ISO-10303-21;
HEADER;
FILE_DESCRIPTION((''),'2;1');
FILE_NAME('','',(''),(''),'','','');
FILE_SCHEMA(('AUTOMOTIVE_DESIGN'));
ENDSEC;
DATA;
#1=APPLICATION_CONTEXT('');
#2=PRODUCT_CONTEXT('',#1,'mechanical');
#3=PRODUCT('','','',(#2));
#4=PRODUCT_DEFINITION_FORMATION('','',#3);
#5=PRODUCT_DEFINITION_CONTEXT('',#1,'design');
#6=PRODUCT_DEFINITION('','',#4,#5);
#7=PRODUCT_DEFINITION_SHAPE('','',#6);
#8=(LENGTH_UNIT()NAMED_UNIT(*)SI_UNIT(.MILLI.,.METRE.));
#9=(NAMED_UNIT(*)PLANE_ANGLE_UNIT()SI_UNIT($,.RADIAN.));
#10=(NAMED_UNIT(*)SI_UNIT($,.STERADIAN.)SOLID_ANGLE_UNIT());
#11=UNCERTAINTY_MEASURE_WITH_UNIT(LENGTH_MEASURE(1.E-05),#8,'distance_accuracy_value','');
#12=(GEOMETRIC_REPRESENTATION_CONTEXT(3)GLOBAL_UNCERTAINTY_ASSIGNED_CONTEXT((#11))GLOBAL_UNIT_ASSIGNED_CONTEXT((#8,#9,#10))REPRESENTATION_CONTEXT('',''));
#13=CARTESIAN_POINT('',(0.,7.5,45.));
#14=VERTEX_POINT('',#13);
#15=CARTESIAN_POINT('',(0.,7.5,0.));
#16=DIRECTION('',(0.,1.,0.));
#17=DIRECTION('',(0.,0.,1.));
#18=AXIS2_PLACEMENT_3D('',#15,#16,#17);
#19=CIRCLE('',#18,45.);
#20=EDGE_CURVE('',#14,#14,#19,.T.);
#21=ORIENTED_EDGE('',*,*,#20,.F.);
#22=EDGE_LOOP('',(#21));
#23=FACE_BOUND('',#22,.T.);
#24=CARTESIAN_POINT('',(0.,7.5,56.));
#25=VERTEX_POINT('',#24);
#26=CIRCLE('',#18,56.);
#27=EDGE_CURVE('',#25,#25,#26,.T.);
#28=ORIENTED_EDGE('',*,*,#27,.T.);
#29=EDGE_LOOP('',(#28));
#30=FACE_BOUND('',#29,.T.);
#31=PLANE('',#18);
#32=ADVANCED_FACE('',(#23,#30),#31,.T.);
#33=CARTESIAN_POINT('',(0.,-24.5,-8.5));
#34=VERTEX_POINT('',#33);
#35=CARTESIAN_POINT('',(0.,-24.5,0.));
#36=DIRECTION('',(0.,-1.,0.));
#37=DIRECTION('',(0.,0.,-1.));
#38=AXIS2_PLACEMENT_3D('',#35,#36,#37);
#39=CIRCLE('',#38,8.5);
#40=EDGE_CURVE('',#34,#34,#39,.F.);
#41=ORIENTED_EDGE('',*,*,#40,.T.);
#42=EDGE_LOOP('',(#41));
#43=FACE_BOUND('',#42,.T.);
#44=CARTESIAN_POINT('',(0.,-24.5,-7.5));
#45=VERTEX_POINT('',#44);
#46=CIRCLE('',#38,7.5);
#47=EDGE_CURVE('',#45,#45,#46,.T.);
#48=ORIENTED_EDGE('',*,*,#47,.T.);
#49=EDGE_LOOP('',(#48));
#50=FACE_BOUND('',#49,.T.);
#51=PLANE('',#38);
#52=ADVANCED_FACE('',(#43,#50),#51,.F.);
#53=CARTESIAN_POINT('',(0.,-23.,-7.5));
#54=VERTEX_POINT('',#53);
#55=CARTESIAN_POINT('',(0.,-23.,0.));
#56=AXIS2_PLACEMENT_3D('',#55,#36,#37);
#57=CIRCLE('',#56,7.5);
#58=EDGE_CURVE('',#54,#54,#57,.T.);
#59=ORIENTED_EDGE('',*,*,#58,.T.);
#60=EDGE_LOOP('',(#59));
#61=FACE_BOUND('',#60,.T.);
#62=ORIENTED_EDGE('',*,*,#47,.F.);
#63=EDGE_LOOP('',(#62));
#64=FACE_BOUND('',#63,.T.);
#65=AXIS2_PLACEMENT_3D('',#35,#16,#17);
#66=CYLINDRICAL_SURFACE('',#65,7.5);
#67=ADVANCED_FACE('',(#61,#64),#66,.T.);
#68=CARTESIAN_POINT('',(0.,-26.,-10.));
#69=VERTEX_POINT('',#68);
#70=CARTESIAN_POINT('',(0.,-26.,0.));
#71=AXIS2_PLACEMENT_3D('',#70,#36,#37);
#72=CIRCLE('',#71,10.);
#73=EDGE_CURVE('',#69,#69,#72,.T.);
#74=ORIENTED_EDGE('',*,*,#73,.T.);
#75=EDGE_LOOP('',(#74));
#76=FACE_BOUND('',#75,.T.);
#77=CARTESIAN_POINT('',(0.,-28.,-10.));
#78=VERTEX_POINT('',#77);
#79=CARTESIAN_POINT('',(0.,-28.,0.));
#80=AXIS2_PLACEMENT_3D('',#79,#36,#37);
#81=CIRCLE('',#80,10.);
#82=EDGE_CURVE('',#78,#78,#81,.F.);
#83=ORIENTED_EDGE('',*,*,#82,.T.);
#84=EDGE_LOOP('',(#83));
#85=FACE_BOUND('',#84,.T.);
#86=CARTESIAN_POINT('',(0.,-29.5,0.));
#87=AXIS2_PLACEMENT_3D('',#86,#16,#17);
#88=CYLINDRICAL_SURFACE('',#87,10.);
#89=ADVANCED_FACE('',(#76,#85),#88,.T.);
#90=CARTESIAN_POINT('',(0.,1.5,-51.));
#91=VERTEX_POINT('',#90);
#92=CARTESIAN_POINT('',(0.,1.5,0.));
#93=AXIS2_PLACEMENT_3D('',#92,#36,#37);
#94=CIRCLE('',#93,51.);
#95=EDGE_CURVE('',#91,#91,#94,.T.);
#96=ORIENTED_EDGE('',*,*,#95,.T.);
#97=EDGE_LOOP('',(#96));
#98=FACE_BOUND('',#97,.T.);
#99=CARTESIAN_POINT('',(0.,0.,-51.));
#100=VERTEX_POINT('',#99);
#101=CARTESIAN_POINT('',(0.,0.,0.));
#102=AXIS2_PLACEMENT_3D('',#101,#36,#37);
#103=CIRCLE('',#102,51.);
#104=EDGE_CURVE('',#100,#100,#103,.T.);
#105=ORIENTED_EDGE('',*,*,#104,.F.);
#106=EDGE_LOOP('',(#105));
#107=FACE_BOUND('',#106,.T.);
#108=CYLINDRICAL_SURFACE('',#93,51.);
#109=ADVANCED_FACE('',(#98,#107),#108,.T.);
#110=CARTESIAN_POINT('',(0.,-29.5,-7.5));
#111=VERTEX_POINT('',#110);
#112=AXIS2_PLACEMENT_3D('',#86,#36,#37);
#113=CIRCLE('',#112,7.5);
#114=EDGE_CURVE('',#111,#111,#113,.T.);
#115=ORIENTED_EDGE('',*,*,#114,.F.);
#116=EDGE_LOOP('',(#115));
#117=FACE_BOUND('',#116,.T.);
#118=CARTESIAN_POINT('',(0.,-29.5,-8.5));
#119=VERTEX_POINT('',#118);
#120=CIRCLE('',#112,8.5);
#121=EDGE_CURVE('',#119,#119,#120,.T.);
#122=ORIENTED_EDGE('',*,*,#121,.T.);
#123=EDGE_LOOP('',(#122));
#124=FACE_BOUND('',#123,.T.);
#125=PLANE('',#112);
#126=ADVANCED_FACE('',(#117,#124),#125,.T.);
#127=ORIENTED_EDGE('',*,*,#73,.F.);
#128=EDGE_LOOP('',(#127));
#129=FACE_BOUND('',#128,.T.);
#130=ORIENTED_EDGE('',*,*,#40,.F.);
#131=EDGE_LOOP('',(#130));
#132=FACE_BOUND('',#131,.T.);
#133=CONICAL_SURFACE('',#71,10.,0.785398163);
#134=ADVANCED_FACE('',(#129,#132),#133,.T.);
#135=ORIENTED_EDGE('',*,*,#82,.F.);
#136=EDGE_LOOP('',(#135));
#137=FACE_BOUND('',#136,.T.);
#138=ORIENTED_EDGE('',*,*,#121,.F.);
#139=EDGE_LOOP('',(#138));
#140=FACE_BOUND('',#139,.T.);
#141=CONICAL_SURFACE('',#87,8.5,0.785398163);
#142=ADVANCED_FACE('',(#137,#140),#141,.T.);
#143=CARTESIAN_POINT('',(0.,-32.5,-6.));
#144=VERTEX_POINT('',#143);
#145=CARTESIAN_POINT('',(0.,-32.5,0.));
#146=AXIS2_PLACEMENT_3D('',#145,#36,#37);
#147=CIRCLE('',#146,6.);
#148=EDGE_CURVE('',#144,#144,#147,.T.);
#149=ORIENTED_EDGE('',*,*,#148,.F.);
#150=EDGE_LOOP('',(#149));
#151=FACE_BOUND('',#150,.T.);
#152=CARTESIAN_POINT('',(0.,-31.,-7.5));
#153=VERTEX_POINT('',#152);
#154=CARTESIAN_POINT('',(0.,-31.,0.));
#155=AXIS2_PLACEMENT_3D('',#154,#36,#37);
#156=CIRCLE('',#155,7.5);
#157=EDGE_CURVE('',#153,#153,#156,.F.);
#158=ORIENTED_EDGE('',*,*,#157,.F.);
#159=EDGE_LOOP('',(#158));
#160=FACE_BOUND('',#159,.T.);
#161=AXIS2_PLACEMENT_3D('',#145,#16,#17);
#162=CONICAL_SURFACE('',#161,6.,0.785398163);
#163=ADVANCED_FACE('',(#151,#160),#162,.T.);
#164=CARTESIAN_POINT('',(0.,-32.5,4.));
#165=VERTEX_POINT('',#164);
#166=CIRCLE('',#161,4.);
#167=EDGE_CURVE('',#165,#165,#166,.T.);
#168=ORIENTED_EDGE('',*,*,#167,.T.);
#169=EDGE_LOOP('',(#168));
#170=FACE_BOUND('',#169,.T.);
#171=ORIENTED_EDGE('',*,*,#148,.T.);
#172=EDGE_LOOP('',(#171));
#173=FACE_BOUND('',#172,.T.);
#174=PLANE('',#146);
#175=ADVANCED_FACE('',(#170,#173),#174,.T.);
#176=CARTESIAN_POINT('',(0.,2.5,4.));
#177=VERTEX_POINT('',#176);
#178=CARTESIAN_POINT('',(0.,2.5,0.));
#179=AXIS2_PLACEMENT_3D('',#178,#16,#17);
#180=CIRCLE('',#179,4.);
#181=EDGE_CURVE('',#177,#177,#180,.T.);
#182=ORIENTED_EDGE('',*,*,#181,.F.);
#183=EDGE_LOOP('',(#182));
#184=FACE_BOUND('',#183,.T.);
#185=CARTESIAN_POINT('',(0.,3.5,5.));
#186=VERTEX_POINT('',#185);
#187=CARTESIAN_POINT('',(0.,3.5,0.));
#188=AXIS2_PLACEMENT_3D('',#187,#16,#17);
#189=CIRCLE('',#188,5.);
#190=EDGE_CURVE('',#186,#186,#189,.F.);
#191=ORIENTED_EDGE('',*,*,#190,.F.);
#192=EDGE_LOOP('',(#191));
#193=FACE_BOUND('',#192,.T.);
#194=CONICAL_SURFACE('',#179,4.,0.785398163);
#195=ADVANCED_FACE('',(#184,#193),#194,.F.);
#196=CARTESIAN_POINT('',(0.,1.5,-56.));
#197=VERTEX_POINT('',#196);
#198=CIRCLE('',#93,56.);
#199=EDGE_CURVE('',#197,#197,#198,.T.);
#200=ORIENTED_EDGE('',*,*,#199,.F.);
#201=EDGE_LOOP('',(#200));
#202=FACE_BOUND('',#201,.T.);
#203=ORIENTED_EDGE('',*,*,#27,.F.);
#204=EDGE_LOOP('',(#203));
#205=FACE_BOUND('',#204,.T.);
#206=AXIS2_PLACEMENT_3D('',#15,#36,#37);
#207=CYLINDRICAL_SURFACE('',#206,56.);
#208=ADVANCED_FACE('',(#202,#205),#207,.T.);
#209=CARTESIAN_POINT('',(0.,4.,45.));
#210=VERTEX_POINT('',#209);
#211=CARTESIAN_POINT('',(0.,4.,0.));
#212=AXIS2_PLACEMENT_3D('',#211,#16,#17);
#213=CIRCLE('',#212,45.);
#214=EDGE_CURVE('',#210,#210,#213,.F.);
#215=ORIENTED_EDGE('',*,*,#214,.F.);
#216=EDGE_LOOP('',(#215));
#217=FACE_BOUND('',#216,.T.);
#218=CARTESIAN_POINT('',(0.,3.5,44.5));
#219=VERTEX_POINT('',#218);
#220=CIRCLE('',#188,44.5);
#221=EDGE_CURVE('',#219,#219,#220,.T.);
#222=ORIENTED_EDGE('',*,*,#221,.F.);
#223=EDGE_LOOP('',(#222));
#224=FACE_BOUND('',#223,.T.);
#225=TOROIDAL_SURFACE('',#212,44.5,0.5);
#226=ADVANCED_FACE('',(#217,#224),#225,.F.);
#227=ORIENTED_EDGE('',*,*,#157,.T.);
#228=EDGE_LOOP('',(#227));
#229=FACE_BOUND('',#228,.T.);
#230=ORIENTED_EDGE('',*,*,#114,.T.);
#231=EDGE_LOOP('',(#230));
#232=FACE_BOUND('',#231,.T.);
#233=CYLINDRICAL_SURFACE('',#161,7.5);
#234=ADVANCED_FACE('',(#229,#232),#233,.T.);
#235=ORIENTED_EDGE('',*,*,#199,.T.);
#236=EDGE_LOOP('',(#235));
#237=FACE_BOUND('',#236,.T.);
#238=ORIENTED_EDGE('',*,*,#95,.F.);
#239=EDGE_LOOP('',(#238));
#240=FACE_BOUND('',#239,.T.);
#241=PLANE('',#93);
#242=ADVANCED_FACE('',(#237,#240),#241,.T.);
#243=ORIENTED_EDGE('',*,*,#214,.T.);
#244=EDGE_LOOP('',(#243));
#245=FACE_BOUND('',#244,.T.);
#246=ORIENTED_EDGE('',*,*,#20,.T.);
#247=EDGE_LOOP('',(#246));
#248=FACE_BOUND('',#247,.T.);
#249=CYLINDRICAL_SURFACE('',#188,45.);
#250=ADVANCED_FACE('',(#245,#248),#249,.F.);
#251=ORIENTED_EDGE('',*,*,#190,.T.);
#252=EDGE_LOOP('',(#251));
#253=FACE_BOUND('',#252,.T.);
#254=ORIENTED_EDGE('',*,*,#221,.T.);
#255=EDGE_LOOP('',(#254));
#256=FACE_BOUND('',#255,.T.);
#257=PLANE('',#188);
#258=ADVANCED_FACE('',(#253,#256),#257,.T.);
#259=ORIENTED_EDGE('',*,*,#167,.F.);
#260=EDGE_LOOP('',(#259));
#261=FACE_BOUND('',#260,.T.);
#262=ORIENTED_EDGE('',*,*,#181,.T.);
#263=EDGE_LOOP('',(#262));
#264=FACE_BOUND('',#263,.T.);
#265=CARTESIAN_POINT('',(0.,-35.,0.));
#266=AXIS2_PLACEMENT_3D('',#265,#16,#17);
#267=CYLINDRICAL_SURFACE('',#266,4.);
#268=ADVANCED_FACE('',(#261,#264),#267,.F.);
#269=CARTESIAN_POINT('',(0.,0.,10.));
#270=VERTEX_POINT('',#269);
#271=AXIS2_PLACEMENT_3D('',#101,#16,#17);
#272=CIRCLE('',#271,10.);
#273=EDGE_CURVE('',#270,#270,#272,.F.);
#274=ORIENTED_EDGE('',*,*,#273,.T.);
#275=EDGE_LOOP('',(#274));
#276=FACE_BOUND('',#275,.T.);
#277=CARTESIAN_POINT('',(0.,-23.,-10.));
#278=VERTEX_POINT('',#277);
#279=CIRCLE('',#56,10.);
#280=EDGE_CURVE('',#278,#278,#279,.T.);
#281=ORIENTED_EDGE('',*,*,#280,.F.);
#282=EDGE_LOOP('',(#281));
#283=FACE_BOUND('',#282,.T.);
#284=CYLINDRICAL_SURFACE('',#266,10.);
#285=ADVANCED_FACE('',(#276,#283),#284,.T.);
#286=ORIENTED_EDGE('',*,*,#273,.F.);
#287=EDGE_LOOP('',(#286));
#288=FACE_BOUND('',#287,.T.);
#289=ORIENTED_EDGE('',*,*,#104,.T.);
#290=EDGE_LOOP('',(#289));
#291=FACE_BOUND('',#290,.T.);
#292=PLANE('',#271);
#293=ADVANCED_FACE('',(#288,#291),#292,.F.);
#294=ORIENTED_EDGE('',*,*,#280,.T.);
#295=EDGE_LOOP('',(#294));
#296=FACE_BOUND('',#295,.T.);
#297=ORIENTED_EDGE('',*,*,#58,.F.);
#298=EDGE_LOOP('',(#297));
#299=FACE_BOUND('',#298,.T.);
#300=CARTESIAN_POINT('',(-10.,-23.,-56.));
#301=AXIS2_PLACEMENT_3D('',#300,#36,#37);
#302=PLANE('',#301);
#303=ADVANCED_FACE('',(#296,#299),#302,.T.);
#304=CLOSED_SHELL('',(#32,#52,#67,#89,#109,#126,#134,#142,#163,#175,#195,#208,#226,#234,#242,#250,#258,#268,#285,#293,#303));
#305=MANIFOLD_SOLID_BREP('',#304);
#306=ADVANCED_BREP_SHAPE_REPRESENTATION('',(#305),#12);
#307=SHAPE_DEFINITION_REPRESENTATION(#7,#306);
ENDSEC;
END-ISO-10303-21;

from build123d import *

# Parameters (mm, degrees)
SKETCH1_R          = 56
EXTRUDE1_DEPTH     = 7.5
SKETCH2_R          = 10
EXTRUDE5_DEPTH     = 35
SKETCH5_R          = 45
EXTRUDE6_DEPTH     = 4
SKETCH6_R          = 4
EXTRUDE7_DEPTH     = 39.5
CHAMFER3_SIZE      = 1
EXTRUDE8_DEPTH     = 67
EXTRUDE10_DEPTH    = 67
SKETCH10_W         = 20
SKETCH10_H         = 12.483117272
EXTRUDE11_DEPTH    = 67
SKETCH11_R         = 7.5
EXTRUDE12_DEPTH    = 1.5
SKETCH12_R         = 10
EXTRUDE13_DEPTH    = 5
SKETCH13_R         = 7.5
EXTRUDE15_DEPTH    = 3
CHAMFER4_SIZE      = 1.5
CHAMFER6_SIZE      = 1.5
CHAMFER7_SIZE      = 1.5
SKETCH16_R         = 4
EXTRUDE16_DEPTH    = 10.5
SKETCH17_OUTSIDE_W = 146.672
SKETCH17_OUTSIDE_H = 146.672
SKETCH17_OUTSIDE_R = 51
EXTRUDE17_DEPTH    = 1.5
FILLET7_R          = 0.5


with BuildPart() as part:
    # Sketch1 → Extrude1 (new body)
    with BuildSketch(Plane(origin=(0, 0, 0), x_dir=(1, 0, 0), z_dir=(0, 1, 0))):
        with Locations(Location((0, 0, 0), (0, 0, 270))):  # turned: the seam where the file's is
            Circle(SKETCH1_R)
    extrude(amount=EXTRUDE1_DEPTH)

    # Sketch2 → Extrude5 (add)
    with BuildSketch(Plane.XZ):
        with Locations(Location((0, 0, 0), (0, 0, 90))):  # turned: the seam where the file's is
            Circle(SKETCH2_R)
    extrude(amount=EXTRUDE5_DEPTH)

    # Sketch5 → Extrude6 (cut)
    with BuildSketch(Plane(origin=(0, 7.5, 0), x_dir=(1, 0, 0), z_dir=(0, 1, 0))):
        with Locations(Location((0, 0, 0), (0, 0, 270))):  # turned: the seam where the file's is
            Circle(SKETCH5_R)
    extrude(amount=-EXTRUDE6_DEPTH, mode=Mode.SUBTRACT)

    # Sketch6 → Extrude7 (cut, through all)
    with BuildSketch(Plane(origin=(0, 3.5, 0), x_dir=(1, 0, 0), z_dir=(0, 1, 0))):
        with Locations(Location((0, 0, 0), (0, 0, 270))):  # turned: the seam where the file's is
            Circle(SKETCH6_R)
    extrude(amount=-EXTRUDE7_DEPTH, mode=Mode.SUBTRACT)

    # Chamfer3
    chamfer3_edges = [part.edges().sort_by_distance(p)[0] for p in [
        (0, 3.5, -4),
    ]]
    chamfer(chamfer3_edges, length=CHAMFER3_SIZE)

    # Sketch7 → Extrude8 (cut, through all)
    with BuildSketch(Plane.XY.offset(10)):
        Polygon((-10, -23), (-8.939339828, -23), (-8.939339828, -24.689339828), (-10, -25.75), align=None)
    extrude8 = extrude(amount=-EXTRUDE8_DEPTH, mode=Mode.SUBTRACT)

    # Mirror2: Extrude8 across plane
    add(extrude8.mirror(Plane(origin=(0, 0, 0), x_dir=(0, 0, 1), z_dir=(1, 0, 0))), mode=Mode.SUBTRACT)

    # Sketch9 → Extrude10 (cut, through all)
    with BuildSketch(Plane.XY.offset(10)):
        Polygon((-10, -35), (-10, -32.25), (-9.116116524, -33.133883476), (-9.116116524, -34.133883476), (-8.25, -35), align=None)
    extrude10 = extrude(amount=-EXTRUDE10_DEPTH, mode=Mode.SUBTRACT)

    # Mirror3: Extrude10 across plane
    add(extrude10.mirror(Plane(origin=(0, 0, 0), x_dir=(0, 0, 1), z_dir=(1, 0, 0))), mode=Mode.SUBTRACT)

    # Sketch10 → Extrude11 (cut, through all)
    with BuildSketch(Plane.XY.offset(10)):
        with Locations((0, -29.241558636)):
            Rectangle(SKETCH10_W, SKETCH10_H)
    extrude(amount=-EXTRUDE11_DEPTH, mode=Mode.SUBTRACT)

    # Sketch11 → Extrude12 (add)
    with BuildSketch(Plane.XZ.offset(23)):
        with Locations(Location((0, 0, 0), (0, 0, 270))):  # turned: the seam where the file's is
            Circle(SKETCH11_R)
    extrude(amount=EXTRUDE12_DEPTH)

    # Sketch12 → Extrude13 (add)
    with BuildSketch(Plane.XZ.offset(24.5)):
        with Locations(Location((0, 0, 0), (0, 0, 90))):  # turned: the seam where the file's is
            Circle(SKETCH12_R)
    extrude(amount=EXTRUDE13_DEPTH)

    # Sketch13 → Extrude15 (add)
    with BuildSketch(Plane.XZ.offset(29.5)):
        with Locations(Location((0, 0, 0), (0, 0, 270))):  # turned: the seam where the file's is
            Circle(SKETCH13_R)
    extrude(amount=EXTRUDE15_DEPTH)

    # Chamfer4
    chamfer4_edges = [part.edges().sort_by_distance(p)[0] for p in [
        (0, -32.5, 7.5),
    ]]
    chamfer(chamfer4_edges, length=CHAMFER4_SIZE)

    # Chamfer6
    chamfer6_edges = [part.edges().sort_by_distance(p)[0] for p in [
        (0, -24.5, -10),
    ]]
    chamfer(chamfer6_edges, length=CHAMFER6_SIZE)

    # Chamfer7
    chamfer7_edges = [part.edges().sort_by_distance(p)[0] for p in [
        (0, -29.5, -10),
    ]]
    chamfer(chamfer7_edges, length=CHAMFER7_SIZE)

    # Sketch16 → Extrude16 (cut, through all)
    with BuildSketch(Plane(origin=(0, -23, 0), x_dir=(-1, 0, 0), z_dir=(0, 1, 0))):
        with Locations(Location((0, 0, 0), (0, 0, 90))):  # turned: the seam where the file's is
            Circle(SKETCH16_R)
    extrude(amount=-EXTRUDE16_DEPTH, mode=Mode.SUBTRACT)

    # Sketch17 outside → Extrude17 (cut)
    with BuildSketch(Plane.XZ):
        Rectangle(SKETCH17_OUTSIDE_W, SKETCH17_OUTSIDE_H)
        with Locations(Location((0, 0, 0), (0, 0, 270))):  # turned: the seam where the file's is
            Circle(SKETCH17_OUTSIDE_R, mode=Mode.SUBTRACT)
    extrude(amount=-EXTRUDE17_DEPTH, mode=Mode.SUBTRACT)

    # Fillet7
    fillet7_edges = [part.edges().sort_by_distance(p)[0] for p in [
        (0, 3.5, -45),
    ]]
    fillet(fillet7_edges, radius=FILLET7_R)


solid = part.part
